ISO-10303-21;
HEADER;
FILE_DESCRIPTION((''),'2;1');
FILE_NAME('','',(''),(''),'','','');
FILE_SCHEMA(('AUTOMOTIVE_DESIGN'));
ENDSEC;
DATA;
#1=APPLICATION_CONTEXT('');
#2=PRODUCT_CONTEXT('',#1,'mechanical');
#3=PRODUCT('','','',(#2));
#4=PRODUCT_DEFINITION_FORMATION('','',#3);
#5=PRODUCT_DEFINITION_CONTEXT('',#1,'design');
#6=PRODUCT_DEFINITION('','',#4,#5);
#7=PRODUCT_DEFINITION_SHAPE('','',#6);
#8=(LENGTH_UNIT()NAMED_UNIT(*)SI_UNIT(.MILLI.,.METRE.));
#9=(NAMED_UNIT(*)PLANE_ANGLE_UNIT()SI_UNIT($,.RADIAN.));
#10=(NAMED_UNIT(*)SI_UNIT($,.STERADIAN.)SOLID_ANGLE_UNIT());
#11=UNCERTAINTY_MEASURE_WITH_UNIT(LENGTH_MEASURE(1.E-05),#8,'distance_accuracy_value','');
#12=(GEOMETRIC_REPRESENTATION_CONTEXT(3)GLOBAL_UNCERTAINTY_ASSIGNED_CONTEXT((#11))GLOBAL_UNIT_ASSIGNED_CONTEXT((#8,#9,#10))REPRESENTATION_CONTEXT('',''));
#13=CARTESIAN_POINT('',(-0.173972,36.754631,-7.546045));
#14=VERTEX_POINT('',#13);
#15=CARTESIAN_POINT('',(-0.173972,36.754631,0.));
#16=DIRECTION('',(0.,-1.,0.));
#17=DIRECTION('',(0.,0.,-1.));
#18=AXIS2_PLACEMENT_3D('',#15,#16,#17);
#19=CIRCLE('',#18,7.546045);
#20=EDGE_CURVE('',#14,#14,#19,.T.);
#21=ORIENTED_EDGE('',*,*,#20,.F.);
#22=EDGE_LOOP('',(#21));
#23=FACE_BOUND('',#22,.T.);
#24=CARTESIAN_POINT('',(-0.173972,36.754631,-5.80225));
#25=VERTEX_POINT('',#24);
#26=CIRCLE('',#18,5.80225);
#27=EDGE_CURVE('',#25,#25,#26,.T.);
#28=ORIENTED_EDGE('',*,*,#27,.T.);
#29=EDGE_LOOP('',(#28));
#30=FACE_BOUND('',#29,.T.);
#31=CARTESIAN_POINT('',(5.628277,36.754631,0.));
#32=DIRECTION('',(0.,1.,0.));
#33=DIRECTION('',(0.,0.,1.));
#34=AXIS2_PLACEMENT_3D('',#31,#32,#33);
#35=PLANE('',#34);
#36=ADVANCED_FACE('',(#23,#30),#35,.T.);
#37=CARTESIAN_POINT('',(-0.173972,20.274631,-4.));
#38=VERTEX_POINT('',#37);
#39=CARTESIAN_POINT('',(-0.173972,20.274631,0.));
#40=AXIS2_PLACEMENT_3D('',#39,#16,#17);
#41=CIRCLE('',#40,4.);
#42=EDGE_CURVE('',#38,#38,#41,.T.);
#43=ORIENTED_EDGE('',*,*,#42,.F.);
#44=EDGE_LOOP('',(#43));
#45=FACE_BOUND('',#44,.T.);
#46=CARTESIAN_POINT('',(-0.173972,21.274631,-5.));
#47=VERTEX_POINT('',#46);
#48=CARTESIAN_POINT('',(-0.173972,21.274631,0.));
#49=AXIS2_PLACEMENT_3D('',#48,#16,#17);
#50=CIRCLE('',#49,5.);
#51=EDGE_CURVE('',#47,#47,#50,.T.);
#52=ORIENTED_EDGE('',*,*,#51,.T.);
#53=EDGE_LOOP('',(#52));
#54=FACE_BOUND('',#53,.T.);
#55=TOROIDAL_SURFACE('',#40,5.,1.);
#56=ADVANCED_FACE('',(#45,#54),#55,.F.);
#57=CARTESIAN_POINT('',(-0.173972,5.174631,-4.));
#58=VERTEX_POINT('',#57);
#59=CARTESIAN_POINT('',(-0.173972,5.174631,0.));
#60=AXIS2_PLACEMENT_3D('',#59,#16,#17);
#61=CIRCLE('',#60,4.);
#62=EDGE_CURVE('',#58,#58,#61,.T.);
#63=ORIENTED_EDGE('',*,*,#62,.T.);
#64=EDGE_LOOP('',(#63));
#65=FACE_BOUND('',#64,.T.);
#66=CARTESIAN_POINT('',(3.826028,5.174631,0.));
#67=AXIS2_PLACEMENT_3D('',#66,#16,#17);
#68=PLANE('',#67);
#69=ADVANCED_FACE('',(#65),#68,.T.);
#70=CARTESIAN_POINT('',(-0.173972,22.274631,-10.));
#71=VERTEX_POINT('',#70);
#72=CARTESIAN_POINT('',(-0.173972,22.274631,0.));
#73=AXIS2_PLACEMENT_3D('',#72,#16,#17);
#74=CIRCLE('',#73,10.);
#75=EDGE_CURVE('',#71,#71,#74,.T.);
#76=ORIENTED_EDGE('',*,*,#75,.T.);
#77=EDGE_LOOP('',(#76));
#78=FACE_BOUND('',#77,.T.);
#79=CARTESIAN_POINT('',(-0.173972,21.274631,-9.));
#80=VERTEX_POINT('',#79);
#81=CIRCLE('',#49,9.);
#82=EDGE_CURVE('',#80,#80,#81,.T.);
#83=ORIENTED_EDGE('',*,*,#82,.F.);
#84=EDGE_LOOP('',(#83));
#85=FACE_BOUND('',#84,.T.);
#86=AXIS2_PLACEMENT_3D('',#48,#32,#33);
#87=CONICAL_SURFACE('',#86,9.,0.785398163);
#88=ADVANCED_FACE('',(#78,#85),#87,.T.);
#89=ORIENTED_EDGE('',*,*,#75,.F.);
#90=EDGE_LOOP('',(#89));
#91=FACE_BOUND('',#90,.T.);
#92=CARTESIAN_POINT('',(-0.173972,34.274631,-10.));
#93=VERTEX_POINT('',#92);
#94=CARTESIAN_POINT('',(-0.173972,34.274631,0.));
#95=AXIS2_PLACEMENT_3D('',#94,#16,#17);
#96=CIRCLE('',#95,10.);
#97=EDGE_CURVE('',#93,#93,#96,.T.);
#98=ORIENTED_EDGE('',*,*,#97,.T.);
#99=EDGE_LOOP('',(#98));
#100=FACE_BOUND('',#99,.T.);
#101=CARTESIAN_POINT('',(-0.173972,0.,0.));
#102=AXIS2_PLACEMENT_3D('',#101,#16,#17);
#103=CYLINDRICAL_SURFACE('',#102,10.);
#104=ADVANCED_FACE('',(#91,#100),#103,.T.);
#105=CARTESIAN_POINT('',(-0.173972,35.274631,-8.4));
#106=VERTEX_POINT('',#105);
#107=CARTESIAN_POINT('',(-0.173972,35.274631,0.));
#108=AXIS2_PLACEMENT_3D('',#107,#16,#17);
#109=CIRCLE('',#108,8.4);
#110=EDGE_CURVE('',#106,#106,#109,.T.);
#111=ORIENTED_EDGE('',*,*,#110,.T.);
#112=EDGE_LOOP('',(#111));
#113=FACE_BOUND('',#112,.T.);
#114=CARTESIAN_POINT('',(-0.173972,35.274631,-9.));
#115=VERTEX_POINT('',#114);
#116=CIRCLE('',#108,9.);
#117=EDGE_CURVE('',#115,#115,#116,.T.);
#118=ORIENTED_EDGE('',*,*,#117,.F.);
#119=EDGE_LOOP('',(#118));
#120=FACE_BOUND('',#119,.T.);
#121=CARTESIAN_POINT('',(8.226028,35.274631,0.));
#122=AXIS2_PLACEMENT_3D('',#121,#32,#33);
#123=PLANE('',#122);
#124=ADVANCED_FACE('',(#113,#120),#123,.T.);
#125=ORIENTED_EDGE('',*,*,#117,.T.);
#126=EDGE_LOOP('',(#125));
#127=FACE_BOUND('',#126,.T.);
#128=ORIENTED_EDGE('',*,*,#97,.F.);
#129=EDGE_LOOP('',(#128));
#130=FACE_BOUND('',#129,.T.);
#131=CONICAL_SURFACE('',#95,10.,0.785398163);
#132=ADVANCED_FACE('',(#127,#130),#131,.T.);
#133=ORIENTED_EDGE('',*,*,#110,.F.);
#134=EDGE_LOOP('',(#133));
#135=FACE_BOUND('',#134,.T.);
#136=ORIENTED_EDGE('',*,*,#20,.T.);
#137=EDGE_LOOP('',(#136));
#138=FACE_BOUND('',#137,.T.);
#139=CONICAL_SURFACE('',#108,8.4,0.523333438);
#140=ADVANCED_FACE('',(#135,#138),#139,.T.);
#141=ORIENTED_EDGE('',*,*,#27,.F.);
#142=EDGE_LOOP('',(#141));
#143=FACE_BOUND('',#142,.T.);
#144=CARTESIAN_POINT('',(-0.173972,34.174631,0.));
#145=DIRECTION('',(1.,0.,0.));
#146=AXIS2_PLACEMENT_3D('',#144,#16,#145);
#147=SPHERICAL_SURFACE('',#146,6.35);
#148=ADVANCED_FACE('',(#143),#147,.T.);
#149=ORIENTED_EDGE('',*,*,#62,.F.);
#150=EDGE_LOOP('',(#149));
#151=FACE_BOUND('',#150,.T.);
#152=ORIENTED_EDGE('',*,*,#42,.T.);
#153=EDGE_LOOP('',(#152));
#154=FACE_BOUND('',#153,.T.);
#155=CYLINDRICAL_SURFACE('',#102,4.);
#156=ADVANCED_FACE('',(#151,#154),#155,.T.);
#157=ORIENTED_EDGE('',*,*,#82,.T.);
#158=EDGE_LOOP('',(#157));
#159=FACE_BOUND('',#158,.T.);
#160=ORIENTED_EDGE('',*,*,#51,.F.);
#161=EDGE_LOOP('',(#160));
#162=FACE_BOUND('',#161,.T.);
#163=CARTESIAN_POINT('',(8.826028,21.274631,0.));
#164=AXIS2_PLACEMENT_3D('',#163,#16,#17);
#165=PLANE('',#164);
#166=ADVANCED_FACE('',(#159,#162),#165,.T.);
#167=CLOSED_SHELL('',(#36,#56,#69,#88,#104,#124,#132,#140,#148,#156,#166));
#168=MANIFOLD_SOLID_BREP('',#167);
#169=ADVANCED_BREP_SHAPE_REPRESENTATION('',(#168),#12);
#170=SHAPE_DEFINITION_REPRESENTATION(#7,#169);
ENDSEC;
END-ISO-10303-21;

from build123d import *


with BuildPart() as part:
    # Sketch1 → Revolve1 (revolve)
    with BuildSketch(Plane.XY, mode=Mode.PRIVATE) as revolve1_sk:
        with BuildLine():
            Line((5.628277432, 36.754630752), (7.372072988, 36.754630752))
            Line((7.372072988, 36.754630752), (8.226027868, 35.274630752))
            Line((8.226027868, 35.274630752), (8.826027868, 35.274630752))
            Line((8.826027868, 35.274630752), (9.826027868, 34.274630752))
            Line((9.826027868, 34.274630752), (9.826027868, 22.274630752))
            Line((9.826027868, 22.274630752), (8.826027868, 21.274630752))
            Line((8.826027868, 21.274630752), (4.826027868, 21.274630752))
            ThreePointArc((4.826027868, 21.274630752), (4.118921087, 20.981737533), (3.826027868, 20.274630752))
            Line((3.826027868, 20.274630752), (3.826027868, 5.174630752))
            Line((3.826027868, 5.174630752), (-0.173972132, 5.174630752))
            Line((-0.173972132, 5.174630752), (-0.173972132, 40.524630752))
            ThreePointArc((-0.173972132, 40.524630752), (3.285760517, 39.499360792), (5.628277432, 36.754630752))
        make_face()
    revolve(revolve1_sk.sketch.rotate(Axis((-0.173972132, 0, 0), (0, 1, 0)), 90), axis=Axis((-0.173972132, 0, 0), (0, 1, 0)))


solid = part.part
